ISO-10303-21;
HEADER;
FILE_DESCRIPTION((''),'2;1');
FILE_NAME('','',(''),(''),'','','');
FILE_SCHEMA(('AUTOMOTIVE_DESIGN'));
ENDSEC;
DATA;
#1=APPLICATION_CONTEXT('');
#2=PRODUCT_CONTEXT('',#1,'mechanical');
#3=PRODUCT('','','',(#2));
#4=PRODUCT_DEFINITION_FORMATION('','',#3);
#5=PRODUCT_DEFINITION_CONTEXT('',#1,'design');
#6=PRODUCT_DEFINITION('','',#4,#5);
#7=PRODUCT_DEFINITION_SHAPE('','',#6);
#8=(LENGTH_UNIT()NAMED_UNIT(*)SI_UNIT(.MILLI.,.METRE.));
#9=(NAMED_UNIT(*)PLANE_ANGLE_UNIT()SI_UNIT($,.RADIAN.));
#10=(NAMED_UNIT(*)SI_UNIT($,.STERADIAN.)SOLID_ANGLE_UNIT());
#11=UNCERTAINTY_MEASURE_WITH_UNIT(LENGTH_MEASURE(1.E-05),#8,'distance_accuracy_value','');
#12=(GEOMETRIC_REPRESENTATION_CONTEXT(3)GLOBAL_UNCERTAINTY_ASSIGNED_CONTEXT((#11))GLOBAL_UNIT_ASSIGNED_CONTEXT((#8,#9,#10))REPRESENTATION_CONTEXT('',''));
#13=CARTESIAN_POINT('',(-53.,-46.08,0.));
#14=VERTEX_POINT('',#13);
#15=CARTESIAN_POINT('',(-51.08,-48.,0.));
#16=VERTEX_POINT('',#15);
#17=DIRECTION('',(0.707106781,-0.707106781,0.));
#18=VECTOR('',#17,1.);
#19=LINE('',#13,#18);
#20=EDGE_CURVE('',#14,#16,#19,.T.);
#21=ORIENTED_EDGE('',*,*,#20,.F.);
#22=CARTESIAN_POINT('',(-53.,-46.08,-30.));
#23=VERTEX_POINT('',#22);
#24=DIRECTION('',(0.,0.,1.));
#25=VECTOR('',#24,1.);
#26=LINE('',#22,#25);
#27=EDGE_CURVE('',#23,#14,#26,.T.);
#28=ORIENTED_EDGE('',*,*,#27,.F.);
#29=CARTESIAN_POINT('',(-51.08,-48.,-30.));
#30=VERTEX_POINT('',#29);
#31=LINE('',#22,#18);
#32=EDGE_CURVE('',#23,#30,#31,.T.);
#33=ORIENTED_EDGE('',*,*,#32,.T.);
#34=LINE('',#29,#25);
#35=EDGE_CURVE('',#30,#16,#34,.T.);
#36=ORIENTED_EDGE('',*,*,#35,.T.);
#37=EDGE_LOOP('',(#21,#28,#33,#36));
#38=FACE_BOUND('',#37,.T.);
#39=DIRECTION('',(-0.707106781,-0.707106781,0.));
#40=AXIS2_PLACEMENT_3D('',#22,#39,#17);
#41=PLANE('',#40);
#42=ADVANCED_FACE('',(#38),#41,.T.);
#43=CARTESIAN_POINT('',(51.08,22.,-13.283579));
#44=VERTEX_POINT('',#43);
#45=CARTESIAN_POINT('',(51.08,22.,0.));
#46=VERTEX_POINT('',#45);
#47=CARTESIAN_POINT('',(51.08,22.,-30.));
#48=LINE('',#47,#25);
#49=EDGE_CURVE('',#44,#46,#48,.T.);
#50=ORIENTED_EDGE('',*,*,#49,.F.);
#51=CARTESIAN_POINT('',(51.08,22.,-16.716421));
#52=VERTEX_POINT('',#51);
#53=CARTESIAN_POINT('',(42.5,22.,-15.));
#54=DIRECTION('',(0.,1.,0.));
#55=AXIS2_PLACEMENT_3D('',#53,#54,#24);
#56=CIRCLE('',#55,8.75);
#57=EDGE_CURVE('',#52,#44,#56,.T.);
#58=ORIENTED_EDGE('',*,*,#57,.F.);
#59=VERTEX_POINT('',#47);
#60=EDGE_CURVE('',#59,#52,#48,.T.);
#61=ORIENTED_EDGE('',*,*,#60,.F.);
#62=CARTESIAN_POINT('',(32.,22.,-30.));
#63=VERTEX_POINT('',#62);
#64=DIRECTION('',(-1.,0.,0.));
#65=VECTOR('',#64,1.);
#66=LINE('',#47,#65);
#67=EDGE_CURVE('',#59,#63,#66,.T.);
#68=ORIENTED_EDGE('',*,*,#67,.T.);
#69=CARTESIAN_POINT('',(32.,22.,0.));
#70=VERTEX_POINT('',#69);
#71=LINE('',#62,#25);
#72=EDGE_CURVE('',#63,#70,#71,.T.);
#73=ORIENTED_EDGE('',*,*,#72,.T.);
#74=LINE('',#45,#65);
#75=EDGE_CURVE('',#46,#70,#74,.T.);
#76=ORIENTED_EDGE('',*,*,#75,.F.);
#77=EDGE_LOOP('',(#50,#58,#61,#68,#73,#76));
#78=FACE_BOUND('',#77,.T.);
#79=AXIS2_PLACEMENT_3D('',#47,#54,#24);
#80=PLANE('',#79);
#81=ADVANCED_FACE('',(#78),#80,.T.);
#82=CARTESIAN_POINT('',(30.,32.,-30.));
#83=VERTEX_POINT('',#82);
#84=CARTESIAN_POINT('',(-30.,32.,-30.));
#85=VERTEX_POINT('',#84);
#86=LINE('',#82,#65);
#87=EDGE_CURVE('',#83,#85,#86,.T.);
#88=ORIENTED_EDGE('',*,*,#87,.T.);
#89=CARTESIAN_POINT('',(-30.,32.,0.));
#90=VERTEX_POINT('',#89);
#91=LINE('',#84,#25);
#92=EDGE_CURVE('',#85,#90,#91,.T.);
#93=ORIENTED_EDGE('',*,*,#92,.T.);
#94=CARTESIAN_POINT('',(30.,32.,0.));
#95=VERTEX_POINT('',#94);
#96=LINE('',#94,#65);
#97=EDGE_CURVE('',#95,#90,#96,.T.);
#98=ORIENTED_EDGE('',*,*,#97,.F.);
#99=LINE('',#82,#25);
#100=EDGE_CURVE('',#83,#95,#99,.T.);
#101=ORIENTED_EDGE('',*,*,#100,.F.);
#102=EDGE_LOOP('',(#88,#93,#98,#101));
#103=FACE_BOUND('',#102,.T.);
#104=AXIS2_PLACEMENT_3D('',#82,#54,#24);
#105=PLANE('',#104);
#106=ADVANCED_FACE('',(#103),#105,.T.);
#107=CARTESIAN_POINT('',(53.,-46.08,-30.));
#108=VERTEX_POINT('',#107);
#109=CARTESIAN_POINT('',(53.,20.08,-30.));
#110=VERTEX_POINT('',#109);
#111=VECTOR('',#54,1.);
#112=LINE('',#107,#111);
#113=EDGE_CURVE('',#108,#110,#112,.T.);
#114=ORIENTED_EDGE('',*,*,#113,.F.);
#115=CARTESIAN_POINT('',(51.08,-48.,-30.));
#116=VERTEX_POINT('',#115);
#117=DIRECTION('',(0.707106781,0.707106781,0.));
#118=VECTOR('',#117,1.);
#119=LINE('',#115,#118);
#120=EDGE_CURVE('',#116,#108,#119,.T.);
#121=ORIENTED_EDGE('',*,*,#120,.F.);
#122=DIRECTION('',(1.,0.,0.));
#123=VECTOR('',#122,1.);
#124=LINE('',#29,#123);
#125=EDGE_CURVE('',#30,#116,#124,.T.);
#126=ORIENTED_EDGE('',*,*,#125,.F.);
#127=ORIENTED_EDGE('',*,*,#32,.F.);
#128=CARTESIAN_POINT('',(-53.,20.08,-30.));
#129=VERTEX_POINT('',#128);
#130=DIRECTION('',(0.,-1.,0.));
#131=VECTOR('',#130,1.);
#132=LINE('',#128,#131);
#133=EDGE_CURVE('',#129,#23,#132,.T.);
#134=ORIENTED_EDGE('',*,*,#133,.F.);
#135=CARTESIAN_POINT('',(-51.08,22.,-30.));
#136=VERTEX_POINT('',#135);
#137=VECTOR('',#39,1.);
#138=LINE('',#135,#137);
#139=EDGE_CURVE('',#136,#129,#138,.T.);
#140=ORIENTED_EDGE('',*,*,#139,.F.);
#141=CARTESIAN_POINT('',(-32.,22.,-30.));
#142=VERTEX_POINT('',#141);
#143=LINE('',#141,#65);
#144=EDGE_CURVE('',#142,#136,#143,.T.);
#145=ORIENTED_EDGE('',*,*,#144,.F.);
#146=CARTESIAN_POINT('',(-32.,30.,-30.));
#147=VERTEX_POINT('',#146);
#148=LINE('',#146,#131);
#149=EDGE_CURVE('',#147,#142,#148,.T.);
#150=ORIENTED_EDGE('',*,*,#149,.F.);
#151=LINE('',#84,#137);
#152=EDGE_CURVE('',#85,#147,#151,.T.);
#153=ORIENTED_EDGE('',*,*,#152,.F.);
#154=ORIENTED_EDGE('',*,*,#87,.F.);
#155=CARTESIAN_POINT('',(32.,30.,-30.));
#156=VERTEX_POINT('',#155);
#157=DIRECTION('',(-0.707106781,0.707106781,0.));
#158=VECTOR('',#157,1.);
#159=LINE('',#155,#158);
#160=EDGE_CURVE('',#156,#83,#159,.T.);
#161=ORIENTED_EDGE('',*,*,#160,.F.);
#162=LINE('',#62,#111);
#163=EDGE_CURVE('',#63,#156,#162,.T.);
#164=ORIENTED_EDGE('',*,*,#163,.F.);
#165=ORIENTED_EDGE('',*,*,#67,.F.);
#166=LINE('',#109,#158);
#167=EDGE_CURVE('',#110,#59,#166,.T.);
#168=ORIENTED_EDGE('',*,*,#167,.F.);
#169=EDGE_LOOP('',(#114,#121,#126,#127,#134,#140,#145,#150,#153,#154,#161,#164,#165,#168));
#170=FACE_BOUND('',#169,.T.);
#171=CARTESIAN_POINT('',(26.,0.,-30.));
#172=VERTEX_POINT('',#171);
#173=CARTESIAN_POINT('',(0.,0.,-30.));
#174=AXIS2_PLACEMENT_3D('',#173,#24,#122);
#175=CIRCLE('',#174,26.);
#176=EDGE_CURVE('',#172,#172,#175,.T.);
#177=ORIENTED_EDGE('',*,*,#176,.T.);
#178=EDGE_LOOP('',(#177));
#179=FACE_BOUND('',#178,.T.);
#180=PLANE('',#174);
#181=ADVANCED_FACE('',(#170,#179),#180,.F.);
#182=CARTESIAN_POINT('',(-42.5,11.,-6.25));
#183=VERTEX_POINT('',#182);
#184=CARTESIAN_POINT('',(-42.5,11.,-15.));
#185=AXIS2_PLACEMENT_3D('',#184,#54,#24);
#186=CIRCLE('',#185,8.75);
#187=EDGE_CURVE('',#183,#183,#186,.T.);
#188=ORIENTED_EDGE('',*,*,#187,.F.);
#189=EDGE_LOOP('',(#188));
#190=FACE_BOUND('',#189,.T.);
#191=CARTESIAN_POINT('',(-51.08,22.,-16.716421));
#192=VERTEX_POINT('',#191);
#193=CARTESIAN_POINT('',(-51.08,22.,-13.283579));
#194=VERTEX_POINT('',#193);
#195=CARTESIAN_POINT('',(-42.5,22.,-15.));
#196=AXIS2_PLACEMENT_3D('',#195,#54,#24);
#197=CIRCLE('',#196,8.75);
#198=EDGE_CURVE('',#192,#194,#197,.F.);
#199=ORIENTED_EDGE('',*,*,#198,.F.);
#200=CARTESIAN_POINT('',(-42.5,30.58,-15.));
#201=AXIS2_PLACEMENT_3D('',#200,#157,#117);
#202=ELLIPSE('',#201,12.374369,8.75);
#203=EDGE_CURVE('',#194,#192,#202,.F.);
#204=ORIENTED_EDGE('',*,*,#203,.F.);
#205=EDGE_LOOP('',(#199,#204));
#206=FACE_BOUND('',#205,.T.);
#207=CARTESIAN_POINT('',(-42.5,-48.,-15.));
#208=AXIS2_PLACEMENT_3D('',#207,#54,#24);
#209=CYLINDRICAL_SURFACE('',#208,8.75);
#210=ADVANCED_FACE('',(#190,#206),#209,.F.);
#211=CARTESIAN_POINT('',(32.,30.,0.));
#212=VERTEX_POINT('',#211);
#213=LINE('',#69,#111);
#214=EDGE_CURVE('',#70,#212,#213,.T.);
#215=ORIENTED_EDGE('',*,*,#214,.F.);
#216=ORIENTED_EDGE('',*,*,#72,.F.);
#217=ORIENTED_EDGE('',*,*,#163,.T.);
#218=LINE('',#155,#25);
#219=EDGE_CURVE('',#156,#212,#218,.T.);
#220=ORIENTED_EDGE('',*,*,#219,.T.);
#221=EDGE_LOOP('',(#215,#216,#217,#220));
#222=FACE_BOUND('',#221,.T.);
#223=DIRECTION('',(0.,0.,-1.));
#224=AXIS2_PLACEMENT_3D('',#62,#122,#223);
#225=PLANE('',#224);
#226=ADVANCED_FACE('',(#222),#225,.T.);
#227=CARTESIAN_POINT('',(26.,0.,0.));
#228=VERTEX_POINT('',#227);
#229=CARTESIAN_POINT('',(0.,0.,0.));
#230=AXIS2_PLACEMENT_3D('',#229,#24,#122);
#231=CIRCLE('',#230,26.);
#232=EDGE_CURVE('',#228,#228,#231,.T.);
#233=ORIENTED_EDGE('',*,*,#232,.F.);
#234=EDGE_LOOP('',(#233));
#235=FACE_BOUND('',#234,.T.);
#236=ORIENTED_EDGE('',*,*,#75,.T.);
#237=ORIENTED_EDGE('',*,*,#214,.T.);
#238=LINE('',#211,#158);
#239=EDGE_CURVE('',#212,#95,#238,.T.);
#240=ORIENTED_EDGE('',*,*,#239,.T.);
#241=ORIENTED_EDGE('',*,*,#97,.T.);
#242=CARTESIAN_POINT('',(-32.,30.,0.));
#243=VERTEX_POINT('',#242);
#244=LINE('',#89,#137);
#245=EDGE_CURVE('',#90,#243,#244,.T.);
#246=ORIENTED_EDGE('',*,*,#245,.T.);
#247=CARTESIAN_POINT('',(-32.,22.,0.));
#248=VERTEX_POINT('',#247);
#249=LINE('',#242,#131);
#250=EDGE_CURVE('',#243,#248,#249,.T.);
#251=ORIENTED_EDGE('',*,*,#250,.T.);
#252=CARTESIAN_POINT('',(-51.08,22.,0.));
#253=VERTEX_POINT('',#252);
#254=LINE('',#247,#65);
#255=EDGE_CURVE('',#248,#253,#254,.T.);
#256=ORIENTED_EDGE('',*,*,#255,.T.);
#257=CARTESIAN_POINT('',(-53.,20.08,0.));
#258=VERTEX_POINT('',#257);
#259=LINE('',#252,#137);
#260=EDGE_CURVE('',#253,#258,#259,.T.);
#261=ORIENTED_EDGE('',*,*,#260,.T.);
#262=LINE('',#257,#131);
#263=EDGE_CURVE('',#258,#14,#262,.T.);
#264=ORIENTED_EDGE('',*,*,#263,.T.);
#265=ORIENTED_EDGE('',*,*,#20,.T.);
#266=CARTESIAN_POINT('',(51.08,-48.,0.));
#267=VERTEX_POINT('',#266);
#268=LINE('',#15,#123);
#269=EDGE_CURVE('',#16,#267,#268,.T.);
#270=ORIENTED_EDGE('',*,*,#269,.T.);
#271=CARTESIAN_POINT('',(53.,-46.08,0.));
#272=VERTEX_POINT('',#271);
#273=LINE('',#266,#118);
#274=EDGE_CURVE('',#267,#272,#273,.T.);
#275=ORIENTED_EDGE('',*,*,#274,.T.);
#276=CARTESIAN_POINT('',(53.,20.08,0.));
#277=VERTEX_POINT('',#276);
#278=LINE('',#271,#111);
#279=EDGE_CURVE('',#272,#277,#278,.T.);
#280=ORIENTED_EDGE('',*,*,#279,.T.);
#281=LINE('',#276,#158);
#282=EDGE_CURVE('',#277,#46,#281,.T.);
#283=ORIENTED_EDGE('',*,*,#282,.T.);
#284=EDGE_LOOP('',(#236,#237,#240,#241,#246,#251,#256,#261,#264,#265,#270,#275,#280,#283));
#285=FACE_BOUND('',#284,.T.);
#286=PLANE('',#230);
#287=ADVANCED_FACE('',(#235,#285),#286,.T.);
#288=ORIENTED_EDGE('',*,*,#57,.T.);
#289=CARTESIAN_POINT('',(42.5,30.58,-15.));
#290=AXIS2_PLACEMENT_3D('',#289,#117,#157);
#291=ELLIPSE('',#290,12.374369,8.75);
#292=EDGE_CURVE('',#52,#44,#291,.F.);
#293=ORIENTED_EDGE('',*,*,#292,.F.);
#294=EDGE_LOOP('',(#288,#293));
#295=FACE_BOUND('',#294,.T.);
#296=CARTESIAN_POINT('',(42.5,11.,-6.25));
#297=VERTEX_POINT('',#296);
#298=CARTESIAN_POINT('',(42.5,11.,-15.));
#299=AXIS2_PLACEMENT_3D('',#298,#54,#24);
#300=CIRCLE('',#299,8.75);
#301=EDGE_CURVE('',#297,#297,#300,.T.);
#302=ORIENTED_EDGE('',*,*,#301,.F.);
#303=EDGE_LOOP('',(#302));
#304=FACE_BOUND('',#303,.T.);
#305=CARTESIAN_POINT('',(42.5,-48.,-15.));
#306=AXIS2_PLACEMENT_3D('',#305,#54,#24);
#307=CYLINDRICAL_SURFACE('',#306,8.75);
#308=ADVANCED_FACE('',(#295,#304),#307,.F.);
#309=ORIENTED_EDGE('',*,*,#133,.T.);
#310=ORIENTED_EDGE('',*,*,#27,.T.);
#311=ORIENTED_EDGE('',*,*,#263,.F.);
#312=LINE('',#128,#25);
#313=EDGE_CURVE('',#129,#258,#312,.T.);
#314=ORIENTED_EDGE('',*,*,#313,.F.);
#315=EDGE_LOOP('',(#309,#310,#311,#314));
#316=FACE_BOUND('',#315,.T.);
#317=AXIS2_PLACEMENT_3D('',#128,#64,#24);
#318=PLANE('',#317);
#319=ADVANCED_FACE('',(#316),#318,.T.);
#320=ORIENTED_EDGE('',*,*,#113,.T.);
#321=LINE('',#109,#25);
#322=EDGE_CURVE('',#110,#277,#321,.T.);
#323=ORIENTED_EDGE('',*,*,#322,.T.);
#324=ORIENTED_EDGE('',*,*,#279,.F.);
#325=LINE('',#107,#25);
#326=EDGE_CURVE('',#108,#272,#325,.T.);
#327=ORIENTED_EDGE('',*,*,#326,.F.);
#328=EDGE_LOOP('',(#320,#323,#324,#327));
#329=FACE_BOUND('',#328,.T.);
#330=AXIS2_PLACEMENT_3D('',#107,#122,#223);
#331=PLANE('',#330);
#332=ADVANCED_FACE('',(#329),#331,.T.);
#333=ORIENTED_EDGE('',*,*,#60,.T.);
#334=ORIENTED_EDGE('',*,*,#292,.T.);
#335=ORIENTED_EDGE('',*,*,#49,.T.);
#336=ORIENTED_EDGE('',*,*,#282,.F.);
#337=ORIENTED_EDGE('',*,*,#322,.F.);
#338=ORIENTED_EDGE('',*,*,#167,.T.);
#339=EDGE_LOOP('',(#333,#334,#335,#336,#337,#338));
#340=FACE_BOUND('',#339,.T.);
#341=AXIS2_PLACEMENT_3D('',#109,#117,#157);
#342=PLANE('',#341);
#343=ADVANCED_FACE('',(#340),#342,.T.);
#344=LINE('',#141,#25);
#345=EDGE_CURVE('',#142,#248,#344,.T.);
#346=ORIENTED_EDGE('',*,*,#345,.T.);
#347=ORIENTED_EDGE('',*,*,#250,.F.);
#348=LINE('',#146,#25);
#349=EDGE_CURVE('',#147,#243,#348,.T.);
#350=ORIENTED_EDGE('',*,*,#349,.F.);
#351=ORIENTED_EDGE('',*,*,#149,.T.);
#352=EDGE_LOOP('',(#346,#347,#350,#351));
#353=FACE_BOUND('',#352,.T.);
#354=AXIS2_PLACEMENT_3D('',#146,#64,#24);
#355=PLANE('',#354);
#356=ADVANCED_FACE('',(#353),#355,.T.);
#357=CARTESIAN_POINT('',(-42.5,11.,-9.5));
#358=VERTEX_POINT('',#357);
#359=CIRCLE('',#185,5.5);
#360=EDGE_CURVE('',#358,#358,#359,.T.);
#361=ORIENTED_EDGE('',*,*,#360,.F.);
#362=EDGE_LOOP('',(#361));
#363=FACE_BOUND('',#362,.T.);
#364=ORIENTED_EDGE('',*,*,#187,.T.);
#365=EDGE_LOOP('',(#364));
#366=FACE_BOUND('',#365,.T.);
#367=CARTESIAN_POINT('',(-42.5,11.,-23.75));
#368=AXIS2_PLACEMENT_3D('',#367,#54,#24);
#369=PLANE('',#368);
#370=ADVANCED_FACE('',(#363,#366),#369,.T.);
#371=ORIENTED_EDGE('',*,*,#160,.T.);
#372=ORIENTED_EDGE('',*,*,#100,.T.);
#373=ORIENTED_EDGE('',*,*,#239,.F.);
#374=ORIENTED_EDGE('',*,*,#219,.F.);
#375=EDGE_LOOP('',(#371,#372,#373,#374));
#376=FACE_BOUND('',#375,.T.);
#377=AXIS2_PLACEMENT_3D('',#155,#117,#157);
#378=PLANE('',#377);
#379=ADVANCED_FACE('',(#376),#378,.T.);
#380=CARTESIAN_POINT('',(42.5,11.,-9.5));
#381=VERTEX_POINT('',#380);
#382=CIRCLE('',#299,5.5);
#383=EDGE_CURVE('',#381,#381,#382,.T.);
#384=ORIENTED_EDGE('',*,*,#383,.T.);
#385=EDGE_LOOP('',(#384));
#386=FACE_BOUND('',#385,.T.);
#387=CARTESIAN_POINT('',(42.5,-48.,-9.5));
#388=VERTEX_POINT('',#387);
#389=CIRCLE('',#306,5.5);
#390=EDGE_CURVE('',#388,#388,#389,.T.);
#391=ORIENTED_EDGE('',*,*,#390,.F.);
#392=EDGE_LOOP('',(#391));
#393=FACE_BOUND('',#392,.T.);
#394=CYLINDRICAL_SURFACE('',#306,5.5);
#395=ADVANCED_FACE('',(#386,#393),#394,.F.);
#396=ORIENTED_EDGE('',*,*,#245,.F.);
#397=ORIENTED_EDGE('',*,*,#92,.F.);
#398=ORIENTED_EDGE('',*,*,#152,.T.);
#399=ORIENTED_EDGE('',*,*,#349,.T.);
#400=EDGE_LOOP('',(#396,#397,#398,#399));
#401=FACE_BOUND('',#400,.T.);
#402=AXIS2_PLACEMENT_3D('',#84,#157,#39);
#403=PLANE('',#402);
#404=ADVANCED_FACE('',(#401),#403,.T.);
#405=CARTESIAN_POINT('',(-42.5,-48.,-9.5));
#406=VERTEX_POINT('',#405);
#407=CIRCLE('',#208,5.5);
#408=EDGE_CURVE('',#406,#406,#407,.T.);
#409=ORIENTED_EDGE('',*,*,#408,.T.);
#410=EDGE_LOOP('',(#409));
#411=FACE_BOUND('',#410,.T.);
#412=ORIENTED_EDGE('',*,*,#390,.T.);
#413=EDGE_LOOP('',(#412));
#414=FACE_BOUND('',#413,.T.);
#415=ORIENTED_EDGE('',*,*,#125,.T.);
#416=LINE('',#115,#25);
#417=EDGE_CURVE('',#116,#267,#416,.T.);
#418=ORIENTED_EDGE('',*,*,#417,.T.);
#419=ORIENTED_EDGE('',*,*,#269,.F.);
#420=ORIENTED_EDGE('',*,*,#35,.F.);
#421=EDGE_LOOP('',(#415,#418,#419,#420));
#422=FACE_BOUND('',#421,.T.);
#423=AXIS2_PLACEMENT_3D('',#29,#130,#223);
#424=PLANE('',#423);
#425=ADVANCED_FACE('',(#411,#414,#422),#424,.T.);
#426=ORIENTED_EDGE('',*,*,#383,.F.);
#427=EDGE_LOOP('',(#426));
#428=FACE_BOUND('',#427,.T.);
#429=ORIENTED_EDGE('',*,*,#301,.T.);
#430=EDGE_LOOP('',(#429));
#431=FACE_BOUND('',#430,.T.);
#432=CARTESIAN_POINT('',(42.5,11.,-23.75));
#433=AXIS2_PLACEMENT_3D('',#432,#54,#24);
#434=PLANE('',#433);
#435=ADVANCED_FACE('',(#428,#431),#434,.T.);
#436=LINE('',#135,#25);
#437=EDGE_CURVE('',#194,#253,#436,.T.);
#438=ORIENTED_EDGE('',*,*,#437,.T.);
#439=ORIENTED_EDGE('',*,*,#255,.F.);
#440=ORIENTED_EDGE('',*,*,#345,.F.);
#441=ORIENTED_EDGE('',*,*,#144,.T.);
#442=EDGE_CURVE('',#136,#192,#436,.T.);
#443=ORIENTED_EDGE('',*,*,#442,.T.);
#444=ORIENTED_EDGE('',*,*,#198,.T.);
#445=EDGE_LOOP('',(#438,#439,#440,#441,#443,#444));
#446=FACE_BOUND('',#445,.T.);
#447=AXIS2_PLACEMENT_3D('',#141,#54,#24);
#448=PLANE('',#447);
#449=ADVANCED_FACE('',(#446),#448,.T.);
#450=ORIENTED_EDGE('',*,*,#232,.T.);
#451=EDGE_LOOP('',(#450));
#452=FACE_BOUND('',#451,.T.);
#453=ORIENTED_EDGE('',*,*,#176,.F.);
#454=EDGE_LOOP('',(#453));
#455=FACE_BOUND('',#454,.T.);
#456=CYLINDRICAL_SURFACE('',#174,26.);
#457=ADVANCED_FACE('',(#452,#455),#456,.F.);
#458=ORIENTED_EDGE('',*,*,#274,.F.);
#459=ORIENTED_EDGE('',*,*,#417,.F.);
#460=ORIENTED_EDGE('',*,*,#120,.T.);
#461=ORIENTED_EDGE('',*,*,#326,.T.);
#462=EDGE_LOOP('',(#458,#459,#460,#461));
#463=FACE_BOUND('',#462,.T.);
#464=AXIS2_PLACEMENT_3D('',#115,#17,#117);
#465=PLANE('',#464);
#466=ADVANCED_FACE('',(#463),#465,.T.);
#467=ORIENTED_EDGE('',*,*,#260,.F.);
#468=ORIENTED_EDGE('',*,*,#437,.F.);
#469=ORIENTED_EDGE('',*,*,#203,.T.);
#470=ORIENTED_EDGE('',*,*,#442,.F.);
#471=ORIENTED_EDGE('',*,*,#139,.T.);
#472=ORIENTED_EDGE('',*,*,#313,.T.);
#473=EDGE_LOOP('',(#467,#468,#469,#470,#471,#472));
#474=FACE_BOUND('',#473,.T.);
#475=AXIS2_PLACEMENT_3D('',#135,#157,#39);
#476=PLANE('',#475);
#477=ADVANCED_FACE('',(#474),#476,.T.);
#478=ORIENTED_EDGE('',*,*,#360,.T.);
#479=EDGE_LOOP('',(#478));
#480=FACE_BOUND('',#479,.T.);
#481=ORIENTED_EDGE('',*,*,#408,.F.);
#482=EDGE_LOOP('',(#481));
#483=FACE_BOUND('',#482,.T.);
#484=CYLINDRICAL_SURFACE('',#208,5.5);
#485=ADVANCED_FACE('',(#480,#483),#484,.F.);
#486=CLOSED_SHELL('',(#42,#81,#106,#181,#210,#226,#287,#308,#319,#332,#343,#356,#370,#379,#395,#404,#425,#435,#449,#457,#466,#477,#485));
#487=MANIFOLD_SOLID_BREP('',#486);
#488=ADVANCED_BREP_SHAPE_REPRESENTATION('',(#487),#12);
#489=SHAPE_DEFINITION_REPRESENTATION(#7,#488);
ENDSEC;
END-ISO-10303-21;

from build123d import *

# Parameters (mm, degrees)
BOSS_EXTRUDE1_DEPTH = 30
SKETCH4_R           = 26
CUT_EXTRUDE1_DEPTH  = 30


with BuildPart() as part:
    # Sketch1 → Boss-Extrude1 (new body)
    with BuildSketch(Plane.XY):
        Polygon((-53, -46.08), (-51.08, -48), (51.08, -48), (53, -46.08), (53, 20.08), (51.08, 22), (32, 22), (32, 30), (30, 32), (-30, 32), (-32, 30), (-32, 22), (-51.08, 22), (-53, 20.08), align=None)
    extrude(amount=-BOSS_EXTRUDE1_DEPTH)

    # Sketch2 → Cut-Revolve1 (revolve, cut)
    with BuildSketch(Plane(origin=(42.5, 0, 0), x_dir=(0, 0, -1), z_dir=(1, 0, 0)), mode=Mode.PRIVATE) as cut_revolve1_sk:
        Polygon((15, 22), (23.75, 22), (23.75, 11), (20.5, 11), (20.5, -48), (15, -48), align=None)
    revolve(cut_revolve1_sk.sketch.rotate(Axis((42.5, -48, -15), (0, 1, 0)), 180), axis=Axis((42.5, -48, -15), (0, 1, 0)), mode=Mode.SUBTRACT)

    # Sketch3 → Cut-Revolve2 (revolve, cut)
    with BuildSketch(Plane(origin=(-42.5, 0, 0), x_dir=(0, 0, -1), z_dir=(1, 0, 0)), mode=Mode.PRIVATE) as cut_revolve2_sk:
        Polygon((15, 22), (23.75, 22), (23.75, 11), (20.5, 11), (20.5, -48), (15, -48), align=None)
    revolve(cut_revolve2_sk.sketch.rotate(Axis((-42.5, -48, -15), (0, 1, 0)), 180), axis=Axis((-42.5, -48, -15), (0, 1, 0)), mode=Mode.SUBTRACT)

    # Sketch4 → Cut-Extrude1 (cut)
    with BuildSketch(Plane.XY):
        Circle(SKETCH4_R)
    extrude(amount=-CUT_EXTRUDE1_DEPTH, mode=Mode.SUBTRACT)


solid = part.part
